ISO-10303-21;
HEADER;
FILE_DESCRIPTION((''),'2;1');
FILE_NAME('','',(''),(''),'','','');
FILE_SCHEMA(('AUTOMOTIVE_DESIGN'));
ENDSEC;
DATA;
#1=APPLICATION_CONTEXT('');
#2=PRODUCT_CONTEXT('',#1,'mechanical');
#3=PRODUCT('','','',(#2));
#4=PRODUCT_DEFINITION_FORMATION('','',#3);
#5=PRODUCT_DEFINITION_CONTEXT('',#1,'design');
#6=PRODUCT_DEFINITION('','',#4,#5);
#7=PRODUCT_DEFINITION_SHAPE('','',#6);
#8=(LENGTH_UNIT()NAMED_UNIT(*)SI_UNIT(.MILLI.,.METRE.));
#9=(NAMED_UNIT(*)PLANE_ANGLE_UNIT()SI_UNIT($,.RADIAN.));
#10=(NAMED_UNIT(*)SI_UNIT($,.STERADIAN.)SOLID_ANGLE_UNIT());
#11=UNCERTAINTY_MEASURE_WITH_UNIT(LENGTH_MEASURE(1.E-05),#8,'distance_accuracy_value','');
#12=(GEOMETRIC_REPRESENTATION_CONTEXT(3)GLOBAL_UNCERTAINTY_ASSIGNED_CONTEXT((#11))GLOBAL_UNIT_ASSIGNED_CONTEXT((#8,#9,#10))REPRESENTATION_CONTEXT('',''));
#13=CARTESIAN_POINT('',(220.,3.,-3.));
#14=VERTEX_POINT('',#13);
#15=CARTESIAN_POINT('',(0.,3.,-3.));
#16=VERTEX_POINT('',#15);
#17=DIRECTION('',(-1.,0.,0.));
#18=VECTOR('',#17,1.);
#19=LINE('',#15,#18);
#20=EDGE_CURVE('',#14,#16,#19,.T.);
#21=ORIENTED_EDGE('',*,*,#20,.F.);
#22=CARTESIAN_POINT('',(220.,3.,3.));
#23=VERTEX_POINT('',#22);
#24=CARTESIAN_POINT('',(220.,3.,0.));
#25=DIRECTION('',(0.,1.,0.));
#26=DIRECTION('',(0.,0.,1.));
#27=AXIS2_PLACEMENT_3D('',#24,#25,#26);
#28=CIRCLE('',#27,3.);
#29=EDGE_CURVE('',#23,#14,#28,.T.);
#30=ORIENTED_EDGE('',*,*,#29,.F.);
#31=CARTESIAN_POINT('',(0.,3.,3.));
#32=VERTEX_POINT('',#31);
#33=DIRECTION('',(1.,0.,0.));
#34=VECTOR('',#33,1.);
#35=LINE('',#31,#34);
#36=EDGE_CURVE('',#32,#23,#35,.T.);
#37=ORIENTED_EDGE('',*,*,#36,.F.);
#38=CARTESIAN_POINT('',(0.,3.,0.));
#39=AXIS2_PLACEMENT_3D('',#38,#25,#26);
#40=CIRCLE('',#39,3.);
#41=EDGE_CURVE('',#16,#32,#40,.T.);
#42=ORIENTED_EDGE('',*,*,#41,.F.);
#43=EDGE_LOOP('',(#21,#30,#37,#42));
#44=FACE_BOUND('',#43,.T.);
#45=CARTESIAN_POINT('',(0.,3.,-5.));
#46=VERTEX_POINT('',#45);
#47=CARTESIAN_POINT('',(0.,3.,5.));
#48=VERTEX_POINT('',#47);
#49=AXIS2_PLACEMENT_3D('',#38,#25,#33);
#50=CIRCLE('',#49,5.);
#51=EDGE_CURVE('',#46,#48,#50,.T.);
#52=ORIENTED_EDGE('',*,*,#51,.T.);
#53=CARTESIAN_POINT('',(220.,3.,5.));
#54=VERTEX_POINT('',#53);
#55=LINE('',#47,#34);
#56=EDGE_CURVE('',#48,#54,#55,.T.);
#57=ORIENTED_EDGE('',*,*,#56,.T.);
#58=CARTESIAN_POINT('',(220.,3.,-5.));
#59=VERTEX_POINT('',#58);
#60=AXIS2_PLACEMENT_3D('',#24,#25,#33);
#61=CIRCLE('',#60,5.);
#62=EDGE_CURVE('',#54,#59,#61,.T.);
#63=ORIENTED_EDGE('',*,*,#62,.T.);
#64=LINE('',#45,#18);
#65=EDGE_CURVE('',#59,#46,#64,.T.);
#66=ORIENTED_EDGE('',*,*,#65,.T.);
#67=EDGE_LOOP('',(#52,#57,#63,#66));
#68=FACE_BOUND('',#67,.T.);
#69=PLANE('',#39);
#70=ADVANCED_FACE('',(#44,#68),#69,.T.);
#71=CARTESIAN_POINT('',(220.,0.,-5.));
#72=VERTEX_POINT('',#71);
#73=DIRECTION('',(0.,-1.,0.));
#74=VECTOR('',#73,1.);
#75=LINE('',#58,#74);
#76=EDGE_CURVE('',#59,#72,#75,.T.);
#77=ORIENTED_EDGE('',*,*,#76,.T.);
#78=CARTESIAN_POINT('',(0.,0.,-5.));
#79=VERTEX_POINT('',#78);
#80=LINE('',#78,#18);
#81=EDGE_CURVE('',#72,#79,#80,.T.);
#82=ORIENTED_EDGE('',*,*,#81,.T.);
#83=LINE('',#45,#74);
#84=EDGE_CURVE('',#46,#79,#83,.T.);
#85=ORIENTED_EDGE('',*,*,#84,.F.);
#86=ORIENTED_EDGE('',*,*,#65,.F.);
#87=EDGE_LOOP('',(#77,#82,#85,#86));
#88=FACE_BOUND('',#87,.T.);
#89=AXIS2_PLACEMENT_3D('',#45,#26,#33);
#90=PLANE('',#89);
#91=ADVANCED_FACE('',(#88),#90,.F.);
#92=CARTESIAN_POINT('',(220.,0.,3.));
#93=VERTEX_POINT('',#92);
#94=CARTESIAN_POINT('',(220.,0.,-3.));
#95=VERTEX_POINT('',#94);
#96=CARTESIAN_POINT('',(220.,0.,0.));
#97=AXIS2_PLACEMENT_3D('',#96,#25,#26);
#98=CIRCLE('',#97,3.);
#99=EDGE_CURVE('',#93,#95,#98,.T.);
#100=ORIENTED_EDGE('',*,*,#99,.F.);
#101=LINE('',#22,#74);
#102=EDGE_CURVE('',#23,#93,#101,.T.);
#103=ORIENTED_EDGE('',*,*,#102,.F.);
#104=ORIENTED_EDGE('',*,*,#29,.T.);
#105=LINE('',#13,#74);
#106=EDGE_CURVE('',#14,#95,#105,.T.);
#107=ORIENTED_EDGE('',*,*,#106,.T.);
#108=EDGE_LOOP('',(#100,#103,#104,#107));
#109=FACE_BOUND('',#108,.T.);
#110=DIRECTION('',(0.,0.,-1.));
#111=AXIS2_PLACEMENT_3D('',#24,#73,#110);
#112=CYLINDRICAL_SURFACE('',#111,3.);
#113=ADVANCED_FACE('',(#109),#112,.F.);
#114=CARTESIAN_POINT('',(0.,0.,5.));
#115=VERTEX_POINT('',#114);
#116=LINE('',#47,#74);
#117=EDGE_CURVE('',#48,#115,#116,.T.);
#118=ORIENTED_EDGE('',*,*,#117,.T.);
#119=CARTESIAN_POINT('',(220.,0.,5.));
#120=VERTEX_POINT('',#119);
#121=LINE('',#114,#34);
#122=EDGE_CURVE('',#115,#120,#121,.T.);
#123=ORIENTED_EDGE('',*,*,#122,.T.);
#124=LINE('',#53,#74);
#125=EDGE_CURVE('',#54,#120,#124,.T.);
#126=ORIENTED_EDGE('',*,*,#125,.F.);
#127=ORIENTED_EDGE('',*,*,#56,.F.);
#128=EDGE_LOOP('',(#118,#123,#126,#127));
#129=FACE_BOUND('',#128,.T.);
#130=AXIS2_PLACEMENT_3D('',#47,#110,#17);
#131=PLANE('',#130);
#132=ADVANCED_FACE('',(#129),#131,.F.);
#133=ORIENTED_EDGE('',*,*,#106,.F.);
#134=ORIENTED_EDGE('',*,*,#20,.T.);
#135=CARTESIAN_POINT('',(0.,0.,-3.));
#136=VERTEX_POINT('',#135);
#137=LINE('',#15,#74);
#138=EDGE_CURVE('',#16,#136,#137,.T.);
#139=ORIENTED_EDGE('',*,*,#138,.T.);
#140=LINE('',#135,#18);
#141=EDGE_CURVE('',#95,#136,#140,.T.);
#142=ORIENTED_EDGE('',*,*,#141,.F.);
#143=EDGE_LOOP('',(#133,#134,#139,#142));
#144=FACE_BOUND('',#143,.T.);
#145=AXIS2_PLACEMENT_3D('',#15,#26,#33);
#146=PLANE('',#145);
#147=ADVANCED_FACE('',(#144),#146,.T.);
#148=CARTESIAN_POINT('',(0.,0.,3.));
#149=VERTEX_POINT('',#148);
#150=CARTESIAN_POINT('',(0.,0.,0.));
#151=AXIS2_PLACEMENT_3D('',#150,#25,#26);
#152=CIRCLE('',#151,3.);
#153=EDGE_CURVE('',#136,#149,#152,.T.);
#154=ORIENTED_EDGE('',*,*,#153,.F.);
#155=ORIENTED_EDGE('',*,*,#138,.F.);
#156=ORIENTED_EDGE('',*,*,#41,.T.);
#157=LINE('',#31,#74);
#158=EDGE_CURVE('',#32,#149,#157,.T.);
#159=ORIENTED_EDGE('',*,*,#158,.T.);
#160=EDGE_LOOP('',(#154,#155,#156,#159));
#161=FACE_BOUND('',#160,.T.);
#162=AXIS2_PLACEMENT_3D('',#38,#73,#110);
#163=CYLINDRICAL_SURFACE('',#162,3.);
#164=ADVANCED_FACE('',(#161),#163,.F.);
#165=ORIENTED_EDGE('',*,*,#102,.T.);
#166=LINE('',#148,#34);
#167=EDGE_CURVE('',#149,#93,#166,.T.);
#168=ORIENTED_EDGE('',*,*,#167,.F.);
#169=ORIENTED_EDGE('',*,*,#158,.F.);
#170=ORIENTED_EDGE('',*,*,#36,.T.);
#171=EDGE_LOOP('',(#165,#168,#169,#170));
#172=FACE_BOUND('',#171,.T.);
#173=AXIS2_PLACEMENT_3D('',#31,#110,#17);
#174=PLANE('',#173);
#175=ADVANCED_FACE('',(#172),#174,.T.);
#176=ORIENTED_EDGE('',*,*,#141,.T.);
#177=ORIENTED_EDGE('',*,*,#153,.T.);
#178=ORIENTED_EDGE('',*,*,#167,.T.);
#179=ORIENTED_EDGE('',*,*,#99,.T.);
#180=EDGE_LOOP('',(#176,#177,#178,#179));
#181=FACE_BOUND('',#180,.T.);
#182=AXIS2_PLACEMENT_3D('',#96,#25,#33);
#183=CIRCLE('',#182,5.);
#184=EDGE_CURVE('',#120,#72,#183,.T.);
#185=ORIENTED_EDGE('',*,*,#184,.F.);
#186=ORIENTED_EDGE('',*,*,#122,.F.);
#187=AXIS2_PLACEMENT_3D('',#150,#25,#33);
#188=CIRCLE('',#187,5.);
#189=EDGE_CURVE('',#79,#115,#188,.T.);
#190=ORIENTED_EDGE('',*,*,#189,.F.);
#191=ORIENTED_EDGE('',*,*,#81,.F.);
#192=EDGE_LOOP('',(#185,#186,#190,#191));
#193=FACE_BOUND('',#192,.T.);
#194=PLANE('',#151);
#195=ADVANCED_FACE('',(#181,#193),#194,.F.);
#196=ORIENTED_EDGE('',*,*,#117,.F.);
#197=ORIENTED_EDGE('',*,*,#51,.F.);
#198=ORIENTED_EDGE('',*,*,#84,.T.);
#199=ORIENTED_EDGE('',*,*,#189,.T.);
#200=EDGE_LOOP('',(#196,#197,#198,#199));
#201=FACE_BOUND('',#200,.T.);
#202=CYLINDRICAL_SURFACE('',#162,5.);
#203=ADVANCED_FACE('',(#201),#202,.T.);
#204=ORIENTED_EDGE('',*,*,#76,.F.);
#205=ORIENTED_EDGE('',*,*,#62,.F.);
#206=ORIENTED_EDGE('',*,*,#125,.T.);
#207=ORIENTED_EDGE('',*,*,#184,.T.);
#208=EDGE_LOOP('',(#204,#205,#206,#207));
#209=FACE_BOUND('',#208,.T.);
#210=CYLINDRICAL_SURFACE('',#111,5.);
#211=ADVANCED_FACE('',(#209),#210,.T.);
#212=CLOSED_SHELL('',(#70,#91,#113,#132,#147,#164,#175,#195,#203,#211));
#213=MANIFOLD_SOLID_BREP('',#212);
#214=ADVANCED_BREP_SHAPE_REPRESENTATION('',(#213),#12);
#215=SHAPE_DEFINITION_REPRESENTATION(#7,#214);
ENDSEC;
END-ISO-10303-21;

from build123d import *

# Parameters (mm, degrees)
EXTRUDE_1_DEPTH = 3


with BuildPart() as part:
    # 草图1 → 拉伸-薄壁1 (new body)
    with BuildSketch(Plane(origin=(0, 0, 0), x_dir=(1, 0, 0), z_dir=(0, 1, 0))):
        with BuildLine():
            Line((220, -5), (0, -5))
            ThreePointArc((0, -5), (-5, 0), (0, 5))
            Line((0, 5), (220, 5))
            ThreePointArc((220, 5), (225, 0), (220, -5))
        make_face()
        with BuildLine():
            Line((220, -3), (0, -3))
            ThreePointArc((0, -3), (-3, 0), (0, 3))
            Line((0, 3), (220, 3))
            ThreePointArc((220, 3), (223, 0), (220, -3))
        make_face(mode=Mode.SUBTRACT)
    extrude(amount=EXTRUDE_1_DEPTH)


solid = part.part
